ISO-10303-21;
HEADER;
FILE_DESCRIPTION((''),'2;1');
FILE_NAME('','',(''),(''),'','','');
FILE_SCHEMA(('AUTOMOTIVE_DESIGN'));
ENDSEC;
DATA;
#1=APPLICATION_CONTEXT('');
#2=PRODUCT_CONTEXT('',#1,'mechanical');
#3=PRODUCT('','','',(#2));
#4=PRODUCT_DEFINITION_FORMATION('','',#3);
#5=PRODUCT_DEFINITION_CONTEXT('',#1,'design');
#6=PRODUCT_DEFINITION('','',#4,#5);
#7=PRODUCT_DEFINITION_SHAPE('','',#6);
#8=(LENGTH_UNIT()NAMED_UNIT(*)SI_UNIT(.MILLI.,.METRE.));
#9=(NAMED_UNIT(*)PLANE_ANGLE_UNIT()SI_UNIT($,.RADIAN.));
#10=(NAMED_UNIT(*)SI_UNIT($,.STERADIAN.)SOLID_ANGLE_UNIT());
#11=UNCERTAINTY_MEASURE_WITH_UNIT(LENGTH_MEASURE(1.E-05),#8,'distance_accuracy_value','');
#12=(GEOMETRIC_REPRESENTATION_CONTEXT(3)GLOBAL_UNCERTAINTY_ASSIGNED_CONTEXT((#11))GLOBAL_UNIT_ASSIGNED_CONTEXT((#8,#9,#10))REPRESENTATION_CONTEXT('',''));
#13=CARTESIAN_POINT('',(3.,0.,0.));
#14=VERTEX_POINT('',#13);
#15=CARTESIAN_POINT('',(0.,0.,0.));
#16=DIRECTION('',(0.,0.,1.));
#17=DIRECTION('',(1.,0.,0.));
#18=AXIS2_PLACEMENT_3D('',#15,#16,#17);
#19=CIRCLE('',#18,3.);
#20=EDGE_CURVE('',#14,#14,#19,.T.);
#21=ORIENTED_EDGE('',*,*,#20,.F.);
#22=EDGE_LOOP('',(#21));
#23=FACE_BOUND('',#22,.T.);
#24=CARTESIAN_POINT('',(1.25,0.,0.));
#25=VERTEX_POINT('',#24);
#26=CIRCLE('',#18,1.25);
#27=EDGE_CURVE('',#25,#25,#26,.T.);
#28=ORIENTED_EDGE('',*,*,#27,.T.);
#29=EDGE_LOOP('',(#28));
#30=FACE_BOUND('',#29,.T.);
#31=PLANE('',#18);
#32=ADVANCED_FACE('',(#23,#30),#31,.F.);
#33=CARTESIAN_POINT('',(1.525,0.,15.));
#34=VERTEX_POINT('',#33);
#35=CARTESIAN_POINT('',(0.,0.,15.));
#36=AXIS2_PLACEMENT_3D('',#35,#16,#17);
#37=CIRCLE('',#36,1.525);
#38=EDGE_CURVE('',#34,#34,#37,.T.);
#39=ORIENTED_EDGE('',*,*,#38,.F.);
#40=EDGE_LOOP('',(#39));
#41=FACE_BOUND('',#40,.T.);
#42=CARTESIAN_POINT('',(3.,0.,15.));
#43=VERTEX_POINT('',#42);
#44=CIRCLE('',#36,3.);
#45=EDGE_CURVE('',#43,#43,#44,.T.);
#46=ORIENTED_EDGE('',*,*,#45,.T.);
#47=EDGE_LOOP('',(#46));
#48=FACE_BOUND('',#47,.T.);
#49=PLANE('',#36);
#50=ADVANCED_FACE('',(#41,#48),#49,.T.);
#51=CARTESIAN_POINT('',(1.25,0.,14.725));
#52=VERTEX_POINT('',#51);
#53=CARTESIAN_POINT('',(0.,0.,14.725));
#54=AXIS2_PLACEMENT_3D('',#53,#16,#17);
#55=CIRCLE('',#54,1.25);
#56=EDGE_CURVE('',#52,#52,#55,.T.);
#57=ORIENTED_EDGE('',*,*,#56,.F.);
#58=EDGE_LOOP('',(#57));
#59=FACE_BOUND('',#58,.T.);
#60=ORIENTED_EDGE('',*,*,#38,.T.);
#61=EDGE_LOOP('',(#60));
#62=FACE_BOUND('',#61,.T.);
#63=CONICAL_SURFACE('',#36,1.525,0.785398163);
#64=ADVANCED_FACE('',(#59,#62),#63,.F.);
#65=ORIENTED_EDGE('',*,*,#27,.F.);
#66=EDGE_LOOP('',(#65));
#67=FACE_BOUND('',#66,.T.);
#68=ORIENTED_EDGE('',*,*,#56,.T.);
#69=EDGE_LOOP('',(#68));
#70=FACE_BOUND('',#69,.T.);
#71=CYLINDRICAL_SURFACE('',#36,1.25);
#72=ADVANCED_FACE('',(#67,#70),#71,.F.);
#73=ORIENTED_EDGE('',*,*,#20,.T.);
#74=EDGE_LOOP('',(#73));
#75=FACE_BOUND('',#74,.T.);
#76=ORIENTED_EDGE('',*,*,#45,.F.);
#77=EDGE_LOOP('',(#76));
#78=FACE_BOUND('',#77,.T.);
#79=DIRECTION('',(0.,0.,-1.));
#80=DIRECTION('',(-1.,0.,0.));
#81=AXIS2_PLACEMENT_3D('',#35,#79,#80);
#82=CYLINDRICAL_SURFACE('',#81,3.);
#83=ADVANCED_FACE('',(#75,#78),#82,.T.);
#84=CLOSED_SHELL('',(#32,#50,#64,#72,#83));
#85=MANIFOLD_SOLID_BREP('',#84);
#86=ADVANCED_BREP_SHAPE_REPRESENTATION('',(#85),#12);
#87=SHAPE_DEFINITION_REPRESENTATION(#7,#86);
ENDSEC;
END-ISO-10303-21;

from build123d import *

# Parameters (mm, degrees)
SKETCH_1_R                   = 3
EXTRUDE_1_DEPTH              = 15
HOLE_WIZARD_M3_1_D           = 2.5
HOLE_WIZARD_M3_1_CSINK_D     = 3.05
HOLE_WIZARD_M3_1_CSINK_ANGLE = 90


with BuildPart() as part:
    # 草图1 → 凸台-拉伸1 (new body)
    with BuildSketch(Plane.XY):
        Circle(SKETCH_1_R)
    extrude(amount=EXTRUDE_1_DEPTH)

    # M3 螺纹孔1 (through all)
    with Locations(Plane.XY.offset(15)):
        with Locations((0, 0)):
            CounterSinkHole(HOLE_WIZARD_M3_1_D / 2, HOLE_WIZARD_M3_1_CSINK_D / 2, counter_sink_angle=HOLE_WIZARD_M3_1_CSINK_ANGLE)


solid = part.part
